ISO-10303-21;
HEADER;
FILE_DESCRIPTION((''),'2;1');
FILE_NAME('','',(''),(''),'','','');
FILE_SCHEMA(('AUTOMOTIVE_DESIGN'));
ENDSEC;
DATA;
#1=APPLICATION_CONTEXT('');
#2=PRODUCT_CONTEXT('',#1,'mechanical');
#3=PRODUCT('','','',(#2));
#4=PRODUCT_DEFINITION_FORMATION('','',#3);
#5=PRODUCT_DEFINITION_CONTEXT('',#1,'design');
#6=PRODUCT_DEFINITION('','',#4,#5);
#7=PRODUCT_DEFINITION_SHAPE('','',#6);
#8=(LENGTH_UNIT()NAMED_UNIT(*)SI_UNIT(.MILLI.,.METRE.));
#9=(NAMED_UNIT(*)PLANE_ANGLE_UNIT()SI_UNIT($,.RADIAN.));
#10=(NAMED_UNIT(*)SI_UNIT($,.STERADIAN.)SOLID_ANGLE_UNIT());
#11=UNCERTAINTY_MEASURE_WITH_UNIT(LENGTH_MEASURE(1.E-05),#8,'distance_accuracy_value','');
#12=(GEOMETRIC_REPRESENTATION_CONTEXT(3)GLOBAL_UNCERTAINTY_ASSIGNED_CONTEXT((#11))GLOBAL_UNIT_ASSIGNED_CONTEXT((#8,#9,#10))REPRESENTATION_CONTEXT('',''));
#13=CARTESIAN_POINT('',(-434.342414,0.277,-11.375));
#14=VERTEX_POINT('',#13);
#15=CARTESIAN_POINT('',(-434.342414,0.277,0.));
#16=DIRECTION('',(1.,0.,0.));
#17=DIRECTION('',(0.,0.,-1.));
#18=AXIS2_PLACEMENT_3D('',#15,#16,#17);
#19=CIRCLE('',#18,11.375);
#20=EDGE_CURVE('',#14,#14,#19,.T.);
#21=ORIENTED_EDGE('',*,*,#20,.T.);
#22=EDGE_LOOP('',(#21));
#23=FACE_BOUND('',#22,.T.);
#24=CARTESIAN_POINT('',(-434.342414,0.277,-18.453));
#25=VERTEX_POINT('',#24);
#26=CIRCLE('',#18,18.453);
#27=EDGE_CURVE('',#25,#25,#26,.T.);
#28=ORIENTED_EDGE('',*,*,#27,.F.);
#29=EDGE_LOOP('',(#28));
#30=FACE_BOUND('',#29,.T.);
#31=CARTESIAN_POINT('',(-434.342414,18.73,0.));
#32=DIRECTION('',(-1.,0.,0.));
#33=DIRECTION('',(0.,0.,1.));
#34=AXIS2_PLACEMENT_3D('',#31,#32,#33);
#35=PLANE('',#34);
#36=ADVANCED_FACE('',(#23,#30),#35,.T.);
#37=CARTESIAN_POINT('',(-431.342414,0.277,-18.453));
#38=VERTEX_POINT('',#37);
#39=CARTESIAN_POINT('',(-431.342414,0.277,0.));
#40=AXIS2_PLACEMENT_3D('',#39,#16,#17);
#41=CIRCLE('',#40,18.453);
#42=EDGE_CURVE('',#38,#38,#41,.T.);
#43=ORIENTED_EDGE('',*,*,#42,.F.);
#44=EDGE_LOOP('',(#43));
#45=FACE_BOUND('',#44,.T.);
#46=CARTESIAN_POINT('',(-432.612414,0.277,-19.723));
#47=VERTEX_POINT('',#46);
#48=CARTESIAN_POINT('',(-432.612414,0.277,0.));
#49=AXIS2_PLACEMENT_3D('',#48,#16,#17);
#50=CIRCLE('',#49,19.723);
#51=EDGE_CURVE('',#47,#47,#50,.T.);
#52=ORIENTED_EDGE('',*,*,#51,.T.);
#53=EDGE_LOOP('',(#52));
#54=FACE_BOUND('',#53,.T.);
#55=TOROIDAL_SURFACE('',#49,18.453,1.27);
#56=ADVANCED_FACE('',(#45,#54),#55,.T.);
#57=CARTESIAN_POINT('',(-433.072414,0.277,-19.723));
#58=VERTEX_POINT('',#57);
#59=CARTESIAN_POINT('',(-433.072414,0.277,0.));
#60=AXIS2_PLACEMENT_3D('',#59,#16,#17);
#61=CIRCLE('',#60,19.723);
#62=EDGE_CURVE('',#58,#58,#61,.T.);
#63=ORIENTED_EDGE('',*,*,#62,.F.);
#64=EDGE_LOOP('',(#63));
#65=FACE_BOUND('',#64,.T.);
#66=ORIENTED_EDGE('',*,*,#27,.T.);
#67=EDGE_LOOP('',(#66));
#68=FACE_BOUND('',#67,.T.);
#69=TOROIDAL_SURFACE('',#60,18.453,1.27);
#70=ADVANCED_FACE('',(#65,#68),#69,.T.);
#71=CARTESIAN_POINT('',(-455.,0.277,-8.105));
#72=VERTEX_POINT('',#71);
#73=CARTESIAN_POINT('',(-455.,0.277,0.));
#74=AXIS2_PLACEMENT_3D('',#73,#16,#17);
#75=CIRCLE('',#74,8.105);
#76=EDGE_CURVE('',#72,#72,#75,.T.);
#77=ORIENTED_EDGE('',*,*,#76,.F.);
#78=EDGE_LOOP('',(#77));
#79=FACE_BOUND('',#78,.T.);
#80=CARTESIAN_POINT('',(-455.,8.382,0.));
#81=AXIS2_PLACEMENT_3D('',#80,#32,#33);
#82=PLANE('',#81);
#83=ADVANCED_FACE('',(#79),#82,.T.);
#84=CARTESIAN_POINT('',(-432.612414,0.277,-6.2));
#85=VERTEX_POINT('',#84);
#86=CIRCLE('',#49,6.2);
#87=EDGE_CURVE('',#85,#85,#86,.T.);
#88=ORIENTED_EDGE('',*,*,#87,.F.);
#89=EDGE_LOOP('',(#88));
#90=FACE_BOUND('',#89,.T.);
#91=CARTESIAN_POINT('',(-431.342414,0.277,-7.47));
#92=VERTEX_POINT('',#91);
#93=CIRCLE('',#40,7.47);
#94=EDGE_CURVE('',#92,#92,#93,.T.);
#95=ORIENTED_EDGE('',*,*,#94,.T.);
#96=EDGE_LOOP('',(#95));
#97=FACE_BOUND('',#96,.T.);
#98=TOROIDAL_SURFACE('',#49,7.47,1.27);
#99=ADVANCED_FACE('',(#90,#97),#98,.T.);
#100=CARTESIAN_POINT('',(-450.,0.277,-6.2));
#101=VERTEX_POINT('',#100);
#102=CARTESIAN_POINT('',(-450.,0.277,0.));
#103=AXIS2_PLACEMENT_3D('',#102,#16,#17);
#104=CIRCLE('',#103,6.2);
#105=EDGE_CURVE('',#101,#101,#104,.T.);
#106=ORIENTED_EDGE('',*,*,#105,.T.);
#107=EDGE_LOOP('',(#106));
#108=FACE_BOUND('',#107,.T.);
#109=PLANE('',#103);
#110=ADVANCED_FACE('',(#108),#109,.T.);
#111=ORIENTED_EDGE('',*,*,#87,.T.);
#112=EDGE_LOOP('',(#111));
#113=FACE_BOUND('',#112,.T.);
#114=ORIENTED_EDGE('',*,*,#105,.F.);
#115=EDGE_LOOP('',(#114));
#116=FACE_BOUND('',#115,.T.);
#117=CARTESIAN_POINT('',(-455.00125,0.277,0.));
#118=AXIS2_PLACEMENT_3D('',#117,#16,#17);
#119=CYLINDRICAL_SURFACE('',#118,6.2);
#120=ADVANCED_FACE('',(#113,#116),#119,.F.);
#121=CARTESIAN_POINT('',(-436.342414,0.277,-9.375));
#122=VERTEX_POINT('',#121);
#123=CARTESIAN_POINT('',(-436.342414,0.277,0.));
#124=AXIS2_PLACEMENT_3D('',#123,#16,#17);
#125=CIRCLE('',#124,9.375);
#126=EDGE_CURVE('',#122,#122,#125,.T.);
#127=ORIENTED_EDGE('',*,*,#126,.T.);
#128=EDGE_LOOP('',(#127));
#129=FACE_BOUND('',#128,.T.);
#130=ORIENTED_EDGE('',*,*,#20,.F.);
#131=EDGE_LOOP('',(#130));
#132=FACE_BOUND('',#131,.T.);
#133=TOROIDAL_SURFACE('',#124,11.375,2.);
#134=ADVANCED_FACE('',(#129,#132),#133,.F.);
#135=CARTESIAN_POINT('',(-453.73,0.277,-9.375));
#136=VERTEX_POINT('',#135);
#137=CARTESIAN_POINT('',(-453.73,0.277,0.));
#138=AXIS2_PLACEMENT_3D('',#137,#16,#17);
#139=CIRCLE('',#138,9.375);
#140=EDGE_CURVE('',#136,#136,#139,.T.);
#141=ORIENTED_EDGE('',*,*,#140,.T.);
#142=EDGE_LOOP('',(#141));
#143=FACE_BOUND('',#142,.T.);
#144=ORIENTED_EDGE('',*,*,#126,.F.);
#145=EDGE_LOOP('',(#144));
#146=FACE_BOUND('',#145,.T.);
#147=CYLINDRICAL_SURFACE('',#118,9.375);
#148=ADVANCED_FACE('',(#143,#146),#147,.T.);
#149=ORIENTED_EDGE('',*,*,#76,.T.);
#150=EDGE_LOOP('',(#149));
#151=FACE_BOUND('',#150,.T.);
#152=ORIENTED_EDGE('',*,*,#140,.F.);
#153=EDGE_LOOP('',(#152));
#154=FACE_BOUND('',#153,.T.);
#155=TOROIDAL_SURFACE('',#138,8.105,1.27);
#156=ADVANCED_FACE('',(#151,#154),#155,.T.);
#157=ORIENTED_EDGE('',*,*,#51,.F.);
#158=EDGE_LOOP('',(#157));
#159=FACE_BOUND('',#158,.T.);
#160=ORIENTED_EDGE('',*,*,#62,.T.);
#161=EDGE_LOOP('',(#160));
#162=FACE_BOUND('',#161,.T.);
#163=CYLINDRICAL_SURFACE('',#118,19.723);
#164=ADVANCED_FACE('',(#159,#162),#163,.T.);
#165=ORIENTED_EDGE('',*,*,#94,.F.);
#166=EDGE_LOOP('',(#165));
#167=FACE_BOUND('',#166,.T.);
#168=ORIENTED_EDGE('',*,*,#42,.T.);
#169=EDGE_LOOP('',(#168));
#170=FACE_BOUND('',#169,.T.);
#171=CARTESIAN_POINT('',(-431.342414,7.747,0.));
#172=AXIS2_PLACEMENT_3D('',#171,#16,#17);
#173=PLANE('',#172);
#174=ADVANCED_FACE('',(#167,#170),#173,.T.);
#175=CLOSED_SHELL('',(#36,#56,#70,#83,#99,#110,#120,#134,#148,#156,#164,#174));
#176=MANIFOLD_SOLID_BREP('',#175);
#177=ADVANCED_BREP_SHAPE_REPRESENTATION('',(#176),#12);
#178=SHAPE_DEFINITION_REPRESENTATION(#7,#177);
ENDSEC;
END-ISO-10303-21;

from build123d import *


with BuildPart() as part:
    # 草图1 → 旋转1 (revolve)
    with BuildSketch(Plane.XY):
        with BuildLine():
            Line((-455, 8.382), (-455, 0.277))
            Line((-455, 0.277), (-450, 0.277))
            Line((-450, 0.277), (-450, 6.477))
            Line((-450, 6.477), (-432.612413979, 6.477))
            ThreePointArc((-432.612413979, 6.477), (-431.714388367, 6.848974388), (-431.342413979, 7.747))
            Line((-431.342413979, 7.747), (-431.342413979, 18.73))
            ThreePointArc((-431.342413979, 18.73), (-431.714388367, 19.628025612), (-432.612413979, 20))
            Line((-432.612413979, 20), (-433.072413979, 20))
            ThreePointArc((-433.072413979, 20), (-433.970439591, 19.628025612), (-434.342413979, 18.73))
            Line((-434.342413979, 18.73), (-434.342413979, 11.652))
            ThreePointArc((-434.342413979, 11.652), (-434.928200417, 10.237786438), (-436.342413979, 9.652))
            Line((-436.342413979, 9.652), (-453.73, 9.652))
            ThreePointArc((-453.73, 9.652), (-454.628025612, 9.280025612), (-455, 8.382))
        make_face()
    revolve(axis=Axis((-455.001250002, 0.277, 0), (1, 0, 0)))


solid = part.part
